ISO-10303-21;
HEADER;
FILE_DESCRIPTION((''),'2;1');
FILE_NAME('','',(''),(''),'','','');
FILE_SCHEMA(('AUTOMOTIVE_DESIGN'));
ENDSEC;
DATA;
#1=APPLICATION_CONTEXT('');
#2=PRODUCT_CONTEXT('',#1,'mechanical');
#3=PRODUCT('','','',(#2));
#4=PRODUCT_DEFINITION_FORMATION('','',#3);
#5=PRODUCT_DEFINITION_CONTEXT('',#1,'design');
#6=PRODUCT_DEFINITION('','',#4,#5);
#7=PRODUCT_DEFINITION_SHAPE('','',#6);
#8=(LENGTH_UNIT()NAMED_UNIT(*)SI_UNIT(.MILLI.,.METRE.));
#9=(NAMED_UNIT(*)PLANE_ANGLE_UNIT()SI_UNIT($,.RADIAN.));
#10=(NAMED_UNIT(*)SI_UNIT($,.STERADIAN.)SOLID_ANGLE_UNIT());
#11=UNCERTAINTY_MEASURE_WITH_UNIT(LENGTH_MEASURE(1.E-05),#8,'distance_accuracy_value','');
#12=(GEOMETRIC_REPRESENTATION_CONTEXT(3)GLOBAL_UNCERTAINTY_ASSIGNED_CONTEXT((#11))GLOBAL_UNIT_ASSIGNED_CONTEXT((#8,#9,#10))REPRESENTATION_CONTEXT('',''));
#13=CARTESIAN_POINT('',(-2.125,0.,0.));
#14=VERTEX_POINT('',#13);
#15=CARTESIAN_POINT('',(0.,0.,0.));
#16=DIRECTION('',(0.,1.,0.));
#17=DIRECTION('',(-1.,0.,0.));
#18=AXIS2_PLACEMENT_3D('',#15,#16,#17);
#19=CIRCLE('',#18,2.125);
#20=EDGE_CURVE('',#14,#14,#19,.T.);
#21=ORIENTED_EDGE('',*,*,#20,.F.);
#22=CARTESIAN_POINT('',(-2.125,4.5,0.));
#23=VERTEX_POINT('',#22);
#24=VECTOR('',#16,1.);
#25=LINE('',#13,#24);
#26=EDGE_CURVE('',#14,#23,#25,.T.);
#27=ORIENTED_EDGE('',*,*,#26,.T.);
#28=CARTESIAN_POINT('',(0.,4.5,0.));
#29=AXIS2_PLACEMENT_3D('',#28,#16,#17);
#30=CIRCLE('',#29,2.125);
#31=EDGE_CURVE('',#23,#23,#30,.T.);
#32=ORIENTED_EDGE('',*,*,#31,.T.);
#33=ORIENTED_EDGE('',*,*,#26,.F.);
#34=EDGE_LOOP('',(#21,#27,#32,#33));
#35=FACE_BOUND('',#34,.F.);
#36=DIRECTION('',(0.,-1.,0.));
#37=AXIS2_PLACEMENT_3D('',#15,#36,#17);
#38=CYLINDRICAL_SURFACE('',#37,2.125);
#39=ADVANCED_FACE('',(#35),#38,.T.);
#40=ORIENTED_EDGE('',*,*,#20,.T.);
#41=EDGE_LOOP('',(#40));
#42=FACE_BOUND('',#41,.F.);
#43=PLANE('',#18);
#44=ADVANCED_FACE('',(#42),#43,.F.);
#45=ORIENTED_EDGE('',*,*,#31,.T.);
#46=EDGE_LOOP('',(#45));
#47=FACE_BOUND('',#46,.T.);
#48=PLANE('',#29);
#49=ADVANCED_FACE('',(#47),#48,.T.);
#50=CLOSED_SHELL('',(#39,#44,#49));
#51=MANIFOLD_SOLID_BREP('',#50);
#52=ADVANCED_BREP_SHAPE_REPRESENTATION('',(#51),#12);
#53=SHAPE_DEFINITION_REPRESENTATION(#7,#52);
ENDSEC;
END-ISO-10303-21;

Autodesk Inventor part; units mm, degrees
ref_plane "YZ Plane" through (0, 0, 0) normal (1, 0, 0) x (0, 1, 0)
ref_plane "XZ Plane" through (0, 0, 0) normal (0, 1, 0) x (-1, 0, 0)
ref_plane "XY Plane" through (0, 0, 0) normal (0, 0, 1) x (1, 0, 0)
sketch "Sketch1" plane through (0, 0, 0) normal (0, 1, 0) x (-1, 0, 0)
  circle A0 centre (0, 0) radius 2.125
  dimension "d0" = 4.25
extrude "Extrusion1" add sketch "Sketch1" along normal blind 4.5
properties part number "PegLarge"
